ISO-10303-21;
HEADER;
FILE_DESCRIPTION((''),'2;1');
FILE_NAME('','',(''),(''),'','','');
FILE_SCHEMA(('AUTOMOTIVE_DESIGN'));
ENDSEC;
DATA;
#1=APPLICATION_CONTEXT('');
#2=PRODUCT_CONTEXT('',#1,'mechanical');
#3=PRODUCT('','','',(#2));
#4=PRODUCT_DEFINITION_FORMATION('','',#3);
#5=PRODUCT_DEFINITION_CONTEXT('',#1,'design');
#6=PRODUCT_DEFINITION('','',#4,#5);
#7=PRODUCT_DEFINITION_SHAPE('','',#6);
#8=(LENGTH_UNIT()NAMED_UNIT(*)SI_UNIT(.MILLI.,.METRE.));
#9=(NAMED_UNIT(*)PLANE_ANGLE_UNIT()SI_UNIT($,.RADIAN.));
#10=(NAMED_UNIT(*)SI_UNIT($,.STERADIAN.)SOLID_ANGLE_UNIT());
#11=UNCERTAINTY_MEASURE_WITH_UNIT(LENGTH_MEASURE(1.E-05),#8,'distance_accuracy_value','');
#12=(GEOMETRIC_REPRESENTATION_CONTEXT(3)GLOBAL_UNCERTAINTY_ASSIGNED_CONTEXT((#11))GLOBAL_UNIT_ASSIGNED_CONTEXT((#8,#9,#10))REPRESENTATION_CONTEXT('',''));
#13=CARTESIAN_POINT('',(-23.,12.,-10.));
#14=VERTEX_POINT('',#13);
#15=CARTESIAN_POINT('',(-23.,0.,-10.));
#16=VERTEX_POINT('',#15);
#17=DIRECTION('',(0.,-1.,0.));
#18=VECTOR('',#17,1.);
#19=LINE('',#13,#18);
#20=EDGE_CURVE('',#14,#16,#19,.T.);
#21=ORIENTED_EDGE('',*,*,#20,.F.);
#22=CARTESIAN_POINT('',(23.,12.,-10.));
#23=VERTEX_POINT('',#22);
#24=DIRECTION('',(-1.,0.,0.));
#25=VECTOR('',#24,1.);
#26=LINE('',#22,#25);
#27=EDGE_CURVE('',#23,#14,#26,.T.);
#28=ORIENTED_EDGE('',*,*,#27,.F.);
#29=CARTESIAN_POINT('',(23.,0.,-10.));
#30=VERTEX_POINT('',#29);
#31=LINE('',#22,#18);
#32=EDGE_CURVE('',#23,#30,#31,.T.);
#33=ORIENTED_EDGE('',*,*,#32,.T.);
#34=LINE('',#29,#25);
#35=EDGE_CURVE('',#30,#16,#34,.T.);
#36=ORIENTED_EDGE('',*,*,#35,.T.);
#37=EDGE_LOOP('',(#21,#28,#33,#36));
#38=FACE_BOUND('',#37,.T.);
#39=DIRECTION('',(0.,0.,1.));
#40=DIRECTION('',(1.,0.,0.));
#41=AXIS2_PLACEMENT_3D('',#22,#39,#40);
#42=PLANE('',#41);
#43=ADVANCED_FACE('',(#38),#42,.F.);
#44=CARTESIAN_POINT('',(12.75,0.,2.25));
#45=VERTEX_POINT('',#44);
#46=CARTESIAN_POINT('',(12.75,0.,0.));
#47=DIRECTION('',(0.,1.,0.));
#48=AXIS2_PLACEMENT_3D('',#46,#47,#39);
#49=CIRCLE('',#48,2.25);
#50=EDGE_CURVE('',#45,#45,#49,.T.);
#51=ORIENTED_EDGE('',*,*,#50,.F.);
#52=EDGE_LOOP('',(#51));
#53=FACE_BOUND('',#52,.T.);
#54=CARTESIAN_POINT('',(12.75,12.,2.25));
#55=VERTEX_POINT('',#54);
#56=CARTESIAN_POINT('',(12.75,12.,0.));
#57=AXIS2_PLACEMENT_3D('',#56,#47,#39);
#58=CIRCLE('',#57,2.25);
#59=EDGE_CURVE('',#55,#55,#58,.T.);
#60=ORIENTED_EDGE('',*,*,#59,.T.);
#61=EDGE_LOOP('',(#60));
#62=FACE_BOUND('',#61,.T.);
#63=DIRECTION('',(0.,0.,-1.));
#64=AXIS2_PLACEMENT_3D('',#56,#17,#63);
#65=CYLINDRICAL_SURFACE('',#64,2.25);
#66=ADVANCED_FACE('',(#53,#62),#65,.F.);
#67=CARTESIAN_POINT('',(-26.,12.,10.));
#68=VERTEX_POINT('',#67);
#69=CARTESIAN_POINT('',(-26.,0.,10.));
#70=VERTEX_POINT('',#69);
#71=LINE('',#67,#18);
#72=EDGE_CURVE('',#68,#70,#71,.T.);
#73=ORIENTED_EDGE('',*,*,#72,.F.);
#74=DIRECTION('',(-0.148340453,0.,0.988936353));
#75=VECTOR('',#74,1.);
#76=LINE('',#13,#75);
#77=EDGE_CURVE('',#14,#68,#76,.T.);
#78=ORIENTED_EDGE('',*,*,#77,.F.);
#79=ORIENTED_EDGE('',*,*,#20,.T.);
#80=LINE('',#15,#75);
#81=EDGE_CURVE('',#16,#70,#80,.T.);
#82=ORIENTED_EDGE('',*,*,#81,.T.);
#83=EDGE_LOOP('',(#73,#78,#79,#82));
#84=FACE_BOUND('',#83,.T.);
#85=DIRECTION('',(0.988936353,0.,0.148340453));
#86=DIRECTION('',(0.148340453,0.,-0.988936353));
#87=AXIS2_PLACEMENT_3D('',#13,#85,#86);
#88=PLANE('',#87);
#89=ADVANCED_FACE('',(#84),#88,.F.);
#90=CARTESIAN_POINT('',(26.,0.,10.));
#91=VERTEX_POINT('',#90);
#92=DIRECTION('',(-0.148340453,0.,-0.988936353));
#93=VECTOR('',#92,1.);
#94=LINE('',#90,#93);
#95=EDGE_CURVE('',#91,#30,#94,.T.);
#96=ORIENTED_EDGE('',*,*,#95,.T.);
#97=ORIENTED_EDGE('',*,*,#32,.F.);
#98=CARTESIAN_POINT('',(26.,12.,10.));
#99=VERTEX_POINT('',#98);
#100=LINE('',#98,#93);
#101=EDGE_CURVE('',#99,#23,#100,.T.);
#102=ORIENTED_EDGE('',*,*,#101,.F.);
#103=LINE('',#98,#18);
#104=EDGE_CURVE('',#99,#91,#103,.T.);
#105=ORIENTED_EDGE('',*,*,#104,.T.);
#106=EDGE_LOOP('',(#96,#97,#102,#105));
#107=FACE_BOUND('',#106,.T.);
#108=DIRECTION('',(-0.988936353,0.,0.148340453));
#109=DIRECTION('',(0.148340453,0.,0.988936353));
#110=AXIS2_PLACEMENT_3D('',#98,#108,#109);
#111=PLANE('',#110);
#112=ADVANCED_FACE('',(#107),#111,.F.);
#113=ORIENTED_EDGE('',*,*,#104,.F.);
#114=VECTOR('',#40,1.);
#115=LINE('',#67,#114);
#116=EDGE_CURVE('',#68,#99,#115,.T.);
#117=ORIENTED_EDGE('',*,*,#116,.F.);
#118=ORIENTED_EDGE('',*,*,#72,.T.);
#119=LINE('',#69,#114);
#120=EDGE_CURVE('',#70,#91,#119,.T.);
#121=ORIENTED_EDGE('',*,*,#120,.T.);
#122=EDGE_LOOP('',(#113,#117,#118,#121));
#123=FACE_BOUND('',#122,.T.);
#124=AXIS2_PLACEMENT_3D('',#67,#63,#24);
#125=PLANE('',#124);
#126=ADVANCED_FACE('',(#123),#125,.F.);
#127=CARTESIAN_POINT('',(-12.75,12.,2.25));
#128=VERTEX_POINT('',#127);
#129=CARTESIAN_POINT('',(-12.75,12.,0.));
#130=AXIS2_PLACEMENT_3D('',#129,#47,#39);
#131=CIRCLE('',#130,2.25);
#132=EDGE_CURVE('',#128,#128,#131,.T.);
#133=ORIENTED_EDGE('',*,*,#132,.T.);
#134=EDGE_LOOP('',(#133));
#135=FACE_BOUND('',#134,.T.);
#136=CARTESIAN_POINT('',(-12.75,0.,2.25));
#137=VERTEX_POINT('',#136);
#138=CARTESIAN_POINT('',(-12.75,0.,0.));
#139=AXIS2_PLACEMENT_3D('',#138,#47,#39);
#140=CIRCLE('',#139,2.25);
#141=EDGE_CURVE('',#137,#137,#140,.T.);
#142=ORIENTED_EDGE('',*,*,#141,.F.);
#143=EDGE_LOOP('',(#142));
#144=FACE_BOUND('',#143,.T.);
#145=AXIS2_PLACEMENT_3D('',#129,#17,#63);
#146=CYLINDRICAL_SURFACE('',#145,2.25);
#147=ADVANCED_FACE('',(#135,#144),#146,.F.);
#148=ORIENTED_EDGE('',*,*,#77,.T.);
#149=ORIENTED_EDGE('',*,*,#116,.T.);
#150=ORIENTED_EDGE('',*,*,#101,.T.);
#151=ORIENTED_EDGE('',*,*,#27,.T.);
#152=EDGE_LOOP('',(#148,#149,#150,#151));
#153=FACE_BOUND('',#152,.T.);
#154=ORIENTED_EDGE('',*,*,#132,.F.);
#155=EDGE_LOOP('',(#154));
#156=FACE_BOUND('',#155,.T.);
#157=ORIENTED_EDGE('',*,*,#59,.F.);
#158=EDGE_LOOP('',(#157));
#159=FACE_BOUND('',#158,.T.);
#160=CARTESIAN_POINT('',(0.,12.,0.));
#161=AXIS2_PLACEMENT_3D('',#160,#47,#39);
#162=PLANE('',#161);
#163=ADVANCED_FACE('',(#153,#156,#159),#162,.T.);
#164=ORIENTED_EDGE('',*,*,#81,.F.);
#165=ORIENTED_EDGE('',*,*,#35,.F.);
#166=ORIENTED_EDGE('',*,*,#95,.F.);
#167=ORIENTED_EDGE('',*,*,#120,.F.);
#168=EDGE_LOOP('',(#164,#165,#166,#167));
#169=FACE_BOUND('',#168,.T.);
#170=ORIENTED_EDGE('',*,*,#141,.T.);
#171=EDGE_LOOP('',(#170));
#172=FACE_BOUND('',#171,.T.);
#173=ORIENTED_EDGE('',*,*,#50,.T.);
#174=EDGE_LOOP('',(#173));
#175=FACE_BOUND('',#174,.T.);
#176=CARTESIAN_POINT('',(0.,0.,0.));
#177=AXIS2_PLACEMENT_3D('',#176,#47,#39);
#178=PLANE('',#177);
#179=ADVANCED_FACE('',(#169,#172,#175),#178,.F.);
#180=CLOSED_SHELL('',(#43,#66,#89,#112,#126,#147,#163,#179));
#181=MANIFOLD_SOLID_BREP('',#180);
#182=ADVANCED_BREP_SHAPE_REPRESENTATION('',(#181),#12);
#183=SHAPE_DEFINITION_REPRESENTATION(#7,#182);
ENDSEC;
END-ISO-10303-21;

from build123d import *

# Parameters (mm, degrees)
SKETCH1_R           = 2.25
BOSS_EXTRUDE1_DEPTH = 12


with BuildPart() as part:
    # Sketch1 → Boss-Extrude1 (new body)
    with BuildSketch(Plane(origin=(0, 0, 0), x_dir=(1, 0, 0), z_dir=(0, 1, 0))):
        Polygon((-23, 10), (-26, -10), (26, -10), (23, 10), align=None)
        with Locations((-12.75, 0)):
            Circle(SKETCH1_R, mode=Mode.SUBTRACT)
        with Locations((12.75, 0)):
            Circle(SKETCH1_R, mode=Mode.SUBTRACT)
    extrude(amount=BOSS_EXTRUDE1_DEPTH)


solid = part.part
